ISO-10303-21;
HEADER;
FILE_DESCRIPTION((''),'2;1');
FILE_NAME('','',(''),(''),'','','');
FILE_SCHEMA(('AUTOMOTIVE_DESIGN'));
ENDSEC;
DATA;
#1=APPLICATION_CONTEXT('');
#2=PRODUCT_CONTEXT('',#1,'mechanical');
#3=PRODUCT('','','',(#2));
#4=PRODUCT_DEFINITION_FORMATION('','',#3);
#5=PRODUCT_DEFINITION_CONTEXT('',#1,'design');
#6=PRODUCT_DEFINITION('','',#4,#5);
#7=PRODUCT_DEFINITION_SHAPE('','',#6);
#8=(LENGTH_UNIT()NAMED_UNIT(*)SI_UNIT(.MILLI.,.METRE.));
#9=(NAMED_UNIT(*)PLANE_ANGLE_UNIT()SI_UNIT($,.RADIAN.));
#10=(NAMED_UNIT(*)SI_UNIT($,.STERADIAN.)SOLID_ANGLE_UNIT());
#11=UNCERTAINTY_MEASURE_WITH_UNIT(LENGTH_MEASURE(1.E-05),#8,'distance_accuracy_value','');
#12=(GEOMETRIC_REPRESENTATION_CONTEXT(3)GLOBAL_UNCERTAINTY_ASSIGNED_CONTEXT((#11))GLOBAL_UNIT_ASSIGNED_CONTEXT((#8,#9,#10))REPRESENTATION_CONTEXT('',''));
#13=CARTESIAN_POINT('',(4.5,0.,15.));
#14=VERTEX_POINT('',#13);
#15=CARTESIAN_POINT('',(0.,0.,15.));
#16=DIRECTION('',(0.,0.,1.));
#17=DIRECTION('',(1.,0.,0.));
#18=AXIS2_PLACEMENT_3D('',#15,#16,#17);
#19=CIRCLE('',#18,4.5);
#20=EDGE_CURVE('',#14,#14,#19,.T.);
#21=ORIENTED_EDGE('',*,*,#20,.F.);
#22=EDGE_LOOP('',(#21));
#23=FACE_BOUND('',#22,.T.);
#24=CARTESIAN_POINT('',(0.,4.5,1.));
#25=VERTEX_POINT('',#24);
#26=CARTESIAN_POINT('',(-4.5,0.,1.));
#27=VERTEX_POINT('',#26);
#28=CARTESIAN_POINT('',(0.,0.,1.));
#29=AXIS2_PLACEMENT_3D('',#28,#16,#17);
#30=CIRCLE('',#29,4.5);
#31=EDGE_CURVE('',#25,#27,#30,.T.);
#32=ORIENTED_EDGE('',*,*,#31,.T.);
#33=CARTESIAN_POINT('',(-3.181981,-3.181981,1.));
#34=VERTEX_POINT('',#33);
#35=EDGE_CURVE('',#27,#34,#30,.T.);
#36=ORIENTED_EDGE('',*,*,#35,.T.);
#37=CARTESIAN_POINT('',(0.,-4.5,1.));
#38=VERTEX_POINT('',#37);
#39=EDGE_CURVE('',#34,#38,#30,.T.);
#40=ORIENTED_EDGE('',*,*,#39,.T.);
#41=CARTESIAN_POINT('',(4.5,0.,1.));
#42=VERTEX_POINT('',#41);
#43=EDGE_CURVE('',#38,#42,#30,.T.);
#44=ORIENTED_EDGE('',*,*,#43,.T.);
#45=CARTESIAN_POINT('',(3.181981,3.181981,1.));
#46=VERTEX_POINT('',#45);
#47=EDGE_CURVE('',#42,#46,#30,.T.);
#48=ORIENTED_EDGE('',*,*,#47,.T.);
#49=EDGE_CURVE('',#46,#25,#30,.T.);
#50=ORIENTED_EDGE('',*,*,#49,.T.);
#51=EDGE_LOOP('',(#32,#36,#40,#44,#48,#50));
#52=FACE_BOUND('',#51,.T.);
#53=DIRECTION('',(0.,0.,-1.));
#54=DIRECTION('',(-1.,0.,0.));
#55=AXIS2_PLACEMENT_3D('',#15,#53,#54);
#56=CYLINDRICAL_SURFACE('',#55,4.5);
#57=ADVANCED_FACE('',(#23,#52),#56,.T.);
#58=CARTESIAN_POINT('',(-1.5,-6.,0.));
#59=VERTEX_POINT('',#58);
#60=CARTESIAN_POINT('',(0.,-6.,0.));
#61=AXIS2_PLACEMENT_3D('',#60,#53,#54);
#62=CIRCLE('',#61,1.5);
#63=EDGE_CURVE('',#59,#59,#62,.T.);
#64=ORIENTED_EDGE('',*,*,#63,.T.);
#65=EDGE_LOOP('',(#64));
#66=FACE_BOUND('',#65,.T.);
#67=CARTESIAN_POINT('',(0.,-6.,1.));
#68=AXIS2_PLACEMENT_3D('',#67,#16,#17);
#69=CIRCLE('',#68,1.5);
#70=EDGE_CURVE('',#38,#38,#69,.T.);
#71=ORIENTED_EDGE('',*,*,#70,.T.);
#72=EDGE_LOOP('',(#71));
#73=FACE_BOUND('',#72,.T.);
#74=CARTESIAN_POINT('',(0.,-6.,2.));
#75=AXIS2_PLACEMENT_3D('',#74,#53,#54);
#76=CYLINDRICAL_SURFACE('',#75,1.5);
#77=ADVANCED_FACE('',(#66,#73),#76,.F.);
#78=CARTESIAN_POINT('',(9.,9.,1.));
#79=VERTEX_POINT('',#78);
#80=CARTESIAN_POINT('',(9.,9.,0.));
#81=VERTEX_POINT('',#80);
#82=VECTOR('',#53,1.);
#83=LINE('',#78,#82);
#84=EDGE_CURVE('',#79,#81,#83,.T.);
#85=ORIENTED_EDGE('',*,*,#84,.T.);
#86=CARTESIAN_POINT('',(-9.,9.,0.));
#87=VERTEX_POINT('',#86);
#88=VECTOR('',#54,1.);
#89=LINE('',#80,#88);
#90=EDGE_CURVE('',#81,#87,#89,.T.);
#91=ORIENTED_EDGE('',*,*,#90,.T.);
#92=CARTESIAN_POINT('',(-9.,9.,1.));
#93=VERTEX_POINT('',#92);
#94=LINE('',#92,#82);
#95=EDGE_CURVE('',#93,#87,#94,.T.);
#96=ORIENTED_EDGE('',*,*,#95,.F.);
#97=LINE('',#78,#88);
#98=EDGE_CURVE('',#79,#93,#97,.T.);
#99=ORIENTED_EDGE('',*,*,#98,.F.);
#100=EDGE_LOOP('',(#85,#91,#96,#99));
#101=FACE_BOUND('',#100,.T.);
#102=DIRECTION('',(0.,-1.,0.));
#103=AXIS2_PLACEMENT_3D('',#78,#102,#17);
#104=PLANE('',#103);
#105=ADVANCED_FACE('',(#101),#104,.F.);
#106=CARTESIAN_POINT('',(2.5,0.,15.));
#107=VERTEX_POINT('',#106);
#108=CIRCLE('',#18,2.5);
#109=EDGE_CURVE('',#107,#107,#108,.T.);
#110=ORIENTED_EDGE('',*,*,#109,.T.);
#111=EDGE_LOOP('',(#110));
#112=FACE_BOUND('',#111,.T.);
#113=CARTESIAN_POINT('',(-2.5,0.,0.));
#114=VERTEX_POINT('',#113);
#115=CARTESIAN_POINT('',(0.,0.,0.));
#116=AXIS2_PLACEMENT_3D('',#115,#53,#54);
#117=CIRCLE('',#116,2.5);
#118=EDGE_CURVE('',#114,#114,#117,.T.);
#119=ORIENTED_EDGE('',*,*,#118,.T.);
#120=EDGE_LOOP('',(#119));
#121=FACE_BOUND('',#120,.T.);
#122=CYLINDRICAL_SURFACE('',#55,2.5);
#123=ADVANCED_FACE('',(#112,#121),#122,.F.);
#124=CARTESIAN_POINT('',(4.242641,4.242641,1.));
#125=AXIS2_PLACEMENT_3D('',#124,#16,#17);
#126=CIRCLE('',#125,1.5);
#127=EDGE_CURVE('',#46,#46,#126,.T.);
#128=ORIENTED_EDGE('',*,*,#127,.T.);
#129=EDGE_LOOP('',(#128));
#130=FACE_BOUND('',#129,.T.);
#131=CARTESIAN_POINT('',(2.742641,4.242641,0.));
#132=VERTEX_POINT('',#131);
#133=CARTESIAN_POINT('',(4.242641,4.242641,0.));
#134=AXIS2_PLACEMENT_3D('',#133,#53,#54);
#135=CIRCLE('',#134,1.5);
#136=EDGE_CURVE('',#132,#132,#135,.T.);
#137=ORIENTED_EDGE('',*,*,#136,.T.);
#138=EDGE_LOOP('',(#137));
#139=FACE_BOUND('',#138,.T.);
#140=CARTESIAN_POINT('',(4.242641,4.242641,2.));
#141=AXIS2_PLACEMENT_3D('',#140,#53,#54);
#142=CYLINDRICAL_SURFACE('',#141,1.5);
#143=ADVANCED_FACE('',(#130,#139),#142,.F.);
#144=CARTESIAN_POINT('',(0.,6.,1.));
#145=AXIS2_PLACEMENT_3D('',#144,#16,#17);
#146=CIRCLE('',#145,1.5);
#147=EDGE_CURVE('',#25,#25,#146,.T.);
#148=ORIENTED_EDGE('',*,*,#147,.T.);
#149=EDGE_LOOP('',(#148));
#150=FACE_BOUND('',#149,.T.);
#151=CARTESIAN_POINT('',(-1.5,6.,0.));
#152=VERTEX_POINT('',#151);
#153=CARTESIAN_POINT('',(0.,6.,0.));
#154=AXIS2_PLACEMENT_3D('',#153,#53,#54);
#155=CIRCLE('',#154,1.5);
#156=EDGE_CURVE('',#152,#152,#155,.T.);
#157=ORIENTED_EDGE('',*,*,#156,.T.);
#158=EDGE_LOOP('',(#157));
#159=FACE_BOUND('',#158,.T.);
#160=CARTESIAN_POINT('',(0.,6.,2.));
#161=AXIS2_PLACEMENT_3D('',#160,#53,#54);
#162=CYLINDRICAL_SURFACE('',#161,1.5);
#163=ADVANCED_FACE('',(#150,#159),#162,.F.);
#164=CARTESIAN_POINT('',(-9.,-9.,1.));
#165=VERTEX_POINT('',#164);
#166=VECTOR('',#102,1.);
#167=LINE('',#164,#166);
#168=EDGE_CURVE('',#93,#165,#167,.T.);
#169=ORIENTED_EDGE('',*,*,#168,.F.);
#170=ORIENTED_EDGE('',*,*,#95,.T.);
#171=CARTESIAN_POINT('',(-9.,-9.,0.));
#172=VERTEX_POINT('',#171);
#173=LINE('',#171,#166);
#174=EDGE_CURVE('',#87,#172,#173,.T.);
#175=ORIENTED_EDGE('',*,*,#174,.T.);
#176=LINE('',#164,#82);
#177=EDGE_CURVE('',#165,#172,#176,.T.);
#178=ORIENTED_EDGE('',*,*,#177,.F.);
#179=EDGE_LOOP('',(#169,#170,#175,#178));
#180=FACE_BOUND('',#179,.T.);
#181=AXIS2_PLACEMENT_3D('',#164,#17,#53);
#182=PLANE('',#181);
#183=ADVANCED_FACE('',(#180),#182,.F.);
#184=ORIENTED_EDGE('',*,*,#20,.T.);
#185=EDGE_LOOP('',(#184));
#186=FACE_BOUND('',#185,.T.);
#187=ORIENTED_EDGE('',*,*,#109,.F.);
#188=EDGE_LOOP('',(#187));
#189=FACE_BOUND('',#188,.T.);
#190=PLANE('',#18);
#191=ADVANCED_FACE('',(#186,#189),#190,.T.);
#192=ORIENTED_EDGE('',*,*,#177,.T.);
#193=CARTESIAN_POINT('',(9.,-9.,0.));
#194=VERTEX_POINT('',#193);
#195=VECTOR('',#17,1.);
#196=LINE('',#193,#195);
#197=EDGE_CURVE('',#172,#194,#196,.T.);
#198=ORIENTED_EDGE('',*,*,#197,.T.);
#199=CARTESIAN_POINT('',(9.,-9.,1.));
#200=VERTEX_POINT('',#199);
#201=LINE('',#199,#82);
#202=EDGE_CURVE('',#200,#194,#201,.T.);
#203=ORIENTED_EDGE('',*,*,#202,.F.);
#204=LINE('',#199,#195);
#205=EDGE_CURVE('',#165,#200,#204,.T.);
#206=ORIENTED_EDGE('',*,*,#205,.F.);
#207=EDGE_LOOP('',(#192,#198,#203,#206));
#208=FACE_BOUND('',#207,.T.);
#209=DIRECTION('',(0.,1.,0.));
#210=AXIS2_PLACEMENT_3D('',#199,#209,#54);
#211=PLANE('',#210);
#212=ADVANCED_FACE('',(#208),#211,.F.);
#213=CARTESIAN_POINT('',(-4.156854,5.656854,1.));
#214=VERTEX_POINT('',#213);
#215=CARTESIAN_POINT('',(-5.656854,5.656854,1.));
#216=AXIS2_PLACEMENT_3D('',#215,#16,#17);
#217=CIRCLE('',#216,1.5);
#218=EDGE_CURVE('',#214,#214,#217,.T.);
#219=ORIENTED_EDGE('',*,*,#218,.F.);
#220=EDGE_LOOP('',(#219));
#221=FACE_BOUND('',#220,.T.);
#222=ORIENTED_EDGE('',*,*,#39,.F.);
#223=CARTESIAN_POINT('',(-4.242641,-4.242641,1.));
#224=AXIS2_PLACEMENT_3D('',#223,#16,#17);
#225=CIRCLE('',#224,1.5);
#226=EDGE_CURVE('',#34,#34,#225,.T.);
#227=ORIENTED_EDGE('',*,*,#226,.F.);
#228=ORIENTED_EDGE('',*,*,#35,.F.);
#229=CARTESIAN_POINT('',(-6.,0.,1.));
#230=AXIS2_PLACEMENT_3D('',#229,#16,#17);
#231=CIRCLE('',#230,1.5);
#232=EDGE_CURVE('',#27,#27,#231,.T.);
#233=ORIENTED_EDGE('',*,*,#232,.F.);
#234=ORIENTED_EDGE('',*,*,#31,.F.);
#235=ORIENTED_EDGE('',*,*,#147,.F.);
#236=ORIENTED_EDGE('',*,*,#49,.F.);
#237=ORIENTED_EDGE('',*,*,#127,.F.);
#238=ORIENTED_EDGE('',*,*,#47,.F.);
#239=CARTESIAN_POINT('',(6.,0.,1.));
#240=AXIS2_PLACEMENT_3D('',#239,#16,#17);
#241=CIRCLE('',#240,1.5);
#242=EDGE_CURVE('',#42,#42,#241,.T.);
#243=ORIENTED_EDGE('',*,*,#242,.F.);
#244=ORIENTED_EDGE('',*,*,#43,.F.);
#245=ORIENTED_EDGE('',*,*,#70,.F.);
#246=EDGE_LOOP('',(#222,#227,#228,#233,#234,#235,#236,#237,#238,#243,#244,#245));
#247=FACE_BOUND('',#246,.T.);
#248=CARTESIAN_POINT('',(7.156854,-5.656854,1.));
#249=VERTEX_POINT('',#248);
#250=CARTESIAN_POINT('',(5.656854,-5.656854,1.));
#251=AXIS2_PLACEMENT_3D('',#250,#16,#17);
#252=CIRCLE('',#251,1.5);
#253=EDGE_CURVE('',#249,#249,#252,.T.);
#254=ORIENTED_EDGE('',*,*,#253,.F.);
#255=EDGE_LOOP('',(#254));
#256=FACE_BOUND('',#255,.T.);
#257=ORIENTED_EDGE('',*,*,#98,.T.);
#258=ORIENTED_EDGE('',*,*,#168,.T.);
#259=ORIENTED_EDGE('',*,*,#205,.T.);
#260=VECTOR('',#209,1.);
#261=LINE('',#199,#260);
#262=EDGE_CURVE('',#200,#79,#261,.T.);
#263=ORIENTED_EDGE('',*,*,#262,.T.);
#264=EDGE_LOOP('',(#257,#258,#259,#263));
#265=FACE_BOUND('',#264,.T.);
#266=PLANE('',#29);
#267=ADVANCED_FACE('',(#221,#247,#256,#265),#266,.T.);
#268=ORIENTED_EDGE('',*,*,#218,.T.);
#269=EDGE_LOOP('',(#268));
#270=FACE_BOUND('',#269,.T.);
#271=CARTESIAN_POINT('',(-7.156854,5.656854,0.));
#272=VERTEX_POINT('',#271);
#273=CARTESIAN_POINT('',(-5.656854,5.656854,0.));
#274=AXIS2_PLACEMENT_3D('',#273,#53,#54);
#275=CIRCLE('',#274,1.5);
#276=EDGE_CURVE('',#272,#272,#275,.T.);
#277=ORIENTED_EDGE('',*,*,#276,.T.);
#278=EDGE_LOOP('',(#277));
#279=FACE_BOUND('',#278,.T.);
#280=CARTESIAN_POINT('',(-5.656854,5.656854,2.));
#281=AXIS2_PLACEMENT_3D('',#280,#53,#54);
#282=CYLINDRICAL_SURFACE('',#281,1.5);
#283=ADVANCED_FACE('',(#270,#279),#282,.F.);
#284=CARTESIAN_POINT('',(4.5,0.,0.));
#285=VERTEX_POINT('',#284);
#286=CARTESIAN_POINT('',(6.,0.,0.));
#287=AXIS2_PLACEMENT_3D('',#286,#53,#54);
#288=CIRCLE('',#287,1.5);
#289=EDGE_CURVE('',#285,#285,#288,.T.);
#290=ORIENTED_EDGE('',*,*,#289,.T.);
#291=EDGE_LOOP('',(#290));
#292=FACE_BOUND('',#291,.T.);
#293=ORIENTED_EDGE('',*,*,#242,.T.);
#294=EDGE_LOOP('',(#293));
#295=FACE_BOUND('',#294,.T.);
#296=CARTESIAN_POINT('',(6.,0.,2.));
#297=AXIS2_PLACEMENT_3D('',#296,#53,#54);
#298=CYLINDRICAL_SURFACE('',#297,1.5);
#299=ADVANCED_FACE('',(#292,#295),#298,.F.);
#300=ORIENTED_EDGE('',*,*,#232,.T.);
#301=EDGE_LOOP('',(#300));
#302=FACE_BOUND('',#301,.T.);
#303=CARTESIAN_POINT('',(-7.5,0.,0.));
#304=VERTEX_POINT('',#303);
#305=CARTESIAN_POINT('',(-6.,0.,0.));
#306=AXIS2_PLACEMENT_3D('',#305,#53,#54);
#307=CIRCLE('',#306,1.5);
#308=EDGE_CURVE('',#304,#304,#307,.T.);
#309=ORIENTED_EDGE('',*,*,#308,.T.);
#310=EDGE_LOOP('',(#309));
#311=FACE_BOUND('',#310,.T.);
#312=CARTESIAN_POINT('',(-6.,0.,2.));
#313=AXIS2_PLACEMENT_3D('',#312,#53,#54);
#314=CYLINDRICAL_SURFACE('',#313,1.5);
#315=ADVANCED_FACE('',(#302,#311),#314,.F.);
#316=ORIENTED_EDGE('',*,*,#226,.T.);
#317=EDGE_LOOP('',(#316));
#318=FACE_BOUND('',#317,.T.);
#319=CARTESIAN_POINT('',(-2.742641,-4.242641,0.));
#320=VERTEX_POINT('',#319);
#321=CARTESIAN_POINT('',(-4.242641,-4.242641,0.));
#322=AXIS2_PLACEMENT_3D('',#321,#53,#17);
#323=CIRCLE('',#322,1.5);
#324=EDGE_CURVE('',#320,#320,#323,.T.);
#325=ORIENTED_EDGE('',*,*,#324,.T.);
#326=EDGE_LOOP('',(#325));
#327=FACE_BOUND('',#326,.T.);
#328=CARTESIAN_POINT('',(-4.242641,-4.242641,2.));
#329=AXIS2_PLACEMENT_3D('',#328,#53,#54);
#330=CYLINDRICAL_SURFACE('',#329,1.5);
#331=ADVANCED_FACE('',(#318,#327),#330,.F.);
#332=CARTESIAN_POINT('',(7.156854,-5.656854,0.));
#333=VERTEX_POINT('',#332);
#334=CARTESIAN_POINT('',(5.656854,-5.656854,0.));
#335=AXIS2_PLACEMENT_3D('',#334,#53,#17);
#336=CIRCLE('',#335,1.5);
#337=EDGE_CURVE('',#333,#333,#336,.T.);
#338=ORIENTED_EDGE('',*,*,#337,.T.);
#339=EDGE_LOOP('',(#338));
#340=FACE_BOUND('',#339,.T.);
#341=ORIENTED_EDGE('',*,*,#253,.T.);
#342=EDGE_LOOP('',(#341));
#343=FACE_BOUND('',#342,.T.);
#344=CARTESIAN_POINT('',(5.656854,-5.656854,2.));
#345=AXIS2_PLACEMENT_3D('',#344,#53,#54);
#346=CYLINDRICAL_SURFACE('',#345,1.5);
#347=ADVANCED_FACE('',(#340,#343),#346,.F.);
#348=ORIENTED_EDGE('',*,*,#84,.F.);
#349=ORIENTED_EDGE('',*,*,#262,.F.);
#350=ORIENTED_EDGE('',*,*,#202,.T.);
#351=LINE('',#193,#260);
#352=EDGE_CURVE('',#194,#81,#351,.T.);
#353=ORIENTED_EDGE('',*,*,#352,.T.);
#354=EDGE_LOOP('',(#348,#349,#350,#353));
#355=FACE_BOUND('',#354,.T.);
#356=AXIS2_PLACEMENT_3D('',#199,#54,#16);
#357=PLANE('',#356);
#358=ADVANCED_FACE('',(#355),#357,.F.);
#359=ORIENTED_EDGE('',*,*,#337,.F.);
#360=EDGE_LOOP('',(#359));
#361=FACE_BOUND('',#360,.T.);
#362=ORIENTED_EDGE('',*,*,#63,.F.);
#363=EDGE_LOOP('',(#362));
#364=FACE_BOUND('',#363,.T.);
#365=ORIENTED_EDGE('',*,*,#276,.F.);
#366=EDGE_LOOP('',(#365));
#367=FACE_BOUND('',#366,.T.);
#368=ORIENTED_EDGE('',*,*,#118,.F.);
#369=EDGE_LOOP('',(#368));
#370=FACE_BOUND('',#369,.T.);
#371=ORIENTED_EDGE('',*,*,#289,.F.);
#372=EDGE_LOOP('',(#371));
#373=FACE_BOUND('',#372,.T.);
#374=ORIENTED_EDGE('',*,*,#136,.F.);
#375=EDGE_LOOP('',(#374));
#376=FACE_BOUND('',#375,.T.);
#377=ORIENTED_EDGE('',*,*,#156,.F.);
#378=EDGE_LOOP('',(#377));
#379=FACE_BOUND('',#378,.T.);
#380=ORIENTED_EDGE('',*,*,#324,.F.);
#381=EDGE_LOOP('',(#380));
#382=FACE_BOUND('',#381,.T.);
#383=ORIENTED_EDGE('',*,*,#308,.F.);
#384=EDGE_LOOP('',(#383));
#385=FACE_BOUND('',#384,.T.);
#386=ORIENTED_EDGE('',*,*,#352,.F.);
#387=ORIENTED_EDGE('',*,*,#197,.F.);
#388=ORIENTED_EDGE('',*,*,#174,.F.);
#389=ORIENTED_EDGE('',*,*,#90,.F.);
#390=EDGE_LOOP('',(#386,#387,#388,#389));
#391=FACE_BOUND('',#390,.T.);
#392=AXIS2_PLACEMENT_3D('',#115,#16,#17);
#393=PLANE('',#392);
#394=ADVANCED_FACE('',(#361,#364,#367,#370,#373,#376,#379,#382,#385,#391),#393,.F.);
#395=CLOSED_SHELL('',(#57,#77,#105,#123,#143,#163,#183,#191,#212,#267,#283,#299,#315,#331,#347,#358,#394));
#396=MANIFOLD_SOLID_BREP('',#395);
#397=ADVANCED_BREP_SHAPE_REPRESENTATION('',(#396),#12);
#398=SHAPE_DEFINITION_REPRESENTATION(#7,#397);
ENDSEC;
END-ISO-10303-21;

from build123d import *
from build123d.topology import SkipClean

# Parameters (mm, degrees)
SKETCH1_R           = 4.5
SKETCH1_R_2         = 2.5
BOSS_EXTRUDE1_DEPTH = 15
SKETCH2_W           = 18
SKETCH2_H           = 18
BOSS_EXTRUDE2_DEPTH = 1
SKETCH3_R           = 1.5
SKETCH3_R_2         = 2.5
CUT_EXTRUDE1_DEPTH  = 2


with BuildPart() as part:
    # Sketch1 → Boss-Extrude1 (new body)
    with BuildSketch(Plane.XY):
        Circle(SKETCH1_R)
        Circle(SKETCH1_R_2, mode=Mode.SUBTRACT)
    extrude(amount=BOSS_EXTRUDE1_DEPTH)

    # Sketch2 → Boss-Extrude2 (add)
    with BuildSketch(Plane.XY):
        Rectangle(SKETCH2_W, SKETCH2_H)
    extrude(amount=BOSS_EXTRUDE2_DEPTH)

    # Sketch3 → Cut-Extrude1 (cut)
    with SkipClean():  # the faces are left unmerged after this step: merging them gives an invalid solid
        with BuildSketch(Plane(origin=(0, 0, 0), x_dir=(-1, 0, 0), z_dir=(0, 0, -1))):
            with Locations((5.656854249, 5.656854249)):
                Circle(SKETCH3_R)
            with Locations(Location((-5.656854249, -5.656854249, 0), (0, 0, 180))):
                Circle(SKETCH3_R)
            with Locations((-4.242640687, 4.242640687)):
                Circle(SKETCH3_R)
            with Locations(Location((4.242640687, -4.242640687, 0), (0, 0, 134.999427021))):
                Circle(SKETCH3_R)
            with Locations((0, 6)):
                Circle(SKETCH3_R)
            with Locations((6, 0)):
                Circle(SKETCH3_R)
            with Locations((0, -6)):
                Circle(SKETCH3_R)
            with Locations((-6, 0)):
                Circle(SKETCH3_R)
            Circle(SKETCH3_R_2)
        extrude(amount=-CUT_EXTRUDE1_DEPTH, mode=Mode.SUBTRACT)


solid = part.part
